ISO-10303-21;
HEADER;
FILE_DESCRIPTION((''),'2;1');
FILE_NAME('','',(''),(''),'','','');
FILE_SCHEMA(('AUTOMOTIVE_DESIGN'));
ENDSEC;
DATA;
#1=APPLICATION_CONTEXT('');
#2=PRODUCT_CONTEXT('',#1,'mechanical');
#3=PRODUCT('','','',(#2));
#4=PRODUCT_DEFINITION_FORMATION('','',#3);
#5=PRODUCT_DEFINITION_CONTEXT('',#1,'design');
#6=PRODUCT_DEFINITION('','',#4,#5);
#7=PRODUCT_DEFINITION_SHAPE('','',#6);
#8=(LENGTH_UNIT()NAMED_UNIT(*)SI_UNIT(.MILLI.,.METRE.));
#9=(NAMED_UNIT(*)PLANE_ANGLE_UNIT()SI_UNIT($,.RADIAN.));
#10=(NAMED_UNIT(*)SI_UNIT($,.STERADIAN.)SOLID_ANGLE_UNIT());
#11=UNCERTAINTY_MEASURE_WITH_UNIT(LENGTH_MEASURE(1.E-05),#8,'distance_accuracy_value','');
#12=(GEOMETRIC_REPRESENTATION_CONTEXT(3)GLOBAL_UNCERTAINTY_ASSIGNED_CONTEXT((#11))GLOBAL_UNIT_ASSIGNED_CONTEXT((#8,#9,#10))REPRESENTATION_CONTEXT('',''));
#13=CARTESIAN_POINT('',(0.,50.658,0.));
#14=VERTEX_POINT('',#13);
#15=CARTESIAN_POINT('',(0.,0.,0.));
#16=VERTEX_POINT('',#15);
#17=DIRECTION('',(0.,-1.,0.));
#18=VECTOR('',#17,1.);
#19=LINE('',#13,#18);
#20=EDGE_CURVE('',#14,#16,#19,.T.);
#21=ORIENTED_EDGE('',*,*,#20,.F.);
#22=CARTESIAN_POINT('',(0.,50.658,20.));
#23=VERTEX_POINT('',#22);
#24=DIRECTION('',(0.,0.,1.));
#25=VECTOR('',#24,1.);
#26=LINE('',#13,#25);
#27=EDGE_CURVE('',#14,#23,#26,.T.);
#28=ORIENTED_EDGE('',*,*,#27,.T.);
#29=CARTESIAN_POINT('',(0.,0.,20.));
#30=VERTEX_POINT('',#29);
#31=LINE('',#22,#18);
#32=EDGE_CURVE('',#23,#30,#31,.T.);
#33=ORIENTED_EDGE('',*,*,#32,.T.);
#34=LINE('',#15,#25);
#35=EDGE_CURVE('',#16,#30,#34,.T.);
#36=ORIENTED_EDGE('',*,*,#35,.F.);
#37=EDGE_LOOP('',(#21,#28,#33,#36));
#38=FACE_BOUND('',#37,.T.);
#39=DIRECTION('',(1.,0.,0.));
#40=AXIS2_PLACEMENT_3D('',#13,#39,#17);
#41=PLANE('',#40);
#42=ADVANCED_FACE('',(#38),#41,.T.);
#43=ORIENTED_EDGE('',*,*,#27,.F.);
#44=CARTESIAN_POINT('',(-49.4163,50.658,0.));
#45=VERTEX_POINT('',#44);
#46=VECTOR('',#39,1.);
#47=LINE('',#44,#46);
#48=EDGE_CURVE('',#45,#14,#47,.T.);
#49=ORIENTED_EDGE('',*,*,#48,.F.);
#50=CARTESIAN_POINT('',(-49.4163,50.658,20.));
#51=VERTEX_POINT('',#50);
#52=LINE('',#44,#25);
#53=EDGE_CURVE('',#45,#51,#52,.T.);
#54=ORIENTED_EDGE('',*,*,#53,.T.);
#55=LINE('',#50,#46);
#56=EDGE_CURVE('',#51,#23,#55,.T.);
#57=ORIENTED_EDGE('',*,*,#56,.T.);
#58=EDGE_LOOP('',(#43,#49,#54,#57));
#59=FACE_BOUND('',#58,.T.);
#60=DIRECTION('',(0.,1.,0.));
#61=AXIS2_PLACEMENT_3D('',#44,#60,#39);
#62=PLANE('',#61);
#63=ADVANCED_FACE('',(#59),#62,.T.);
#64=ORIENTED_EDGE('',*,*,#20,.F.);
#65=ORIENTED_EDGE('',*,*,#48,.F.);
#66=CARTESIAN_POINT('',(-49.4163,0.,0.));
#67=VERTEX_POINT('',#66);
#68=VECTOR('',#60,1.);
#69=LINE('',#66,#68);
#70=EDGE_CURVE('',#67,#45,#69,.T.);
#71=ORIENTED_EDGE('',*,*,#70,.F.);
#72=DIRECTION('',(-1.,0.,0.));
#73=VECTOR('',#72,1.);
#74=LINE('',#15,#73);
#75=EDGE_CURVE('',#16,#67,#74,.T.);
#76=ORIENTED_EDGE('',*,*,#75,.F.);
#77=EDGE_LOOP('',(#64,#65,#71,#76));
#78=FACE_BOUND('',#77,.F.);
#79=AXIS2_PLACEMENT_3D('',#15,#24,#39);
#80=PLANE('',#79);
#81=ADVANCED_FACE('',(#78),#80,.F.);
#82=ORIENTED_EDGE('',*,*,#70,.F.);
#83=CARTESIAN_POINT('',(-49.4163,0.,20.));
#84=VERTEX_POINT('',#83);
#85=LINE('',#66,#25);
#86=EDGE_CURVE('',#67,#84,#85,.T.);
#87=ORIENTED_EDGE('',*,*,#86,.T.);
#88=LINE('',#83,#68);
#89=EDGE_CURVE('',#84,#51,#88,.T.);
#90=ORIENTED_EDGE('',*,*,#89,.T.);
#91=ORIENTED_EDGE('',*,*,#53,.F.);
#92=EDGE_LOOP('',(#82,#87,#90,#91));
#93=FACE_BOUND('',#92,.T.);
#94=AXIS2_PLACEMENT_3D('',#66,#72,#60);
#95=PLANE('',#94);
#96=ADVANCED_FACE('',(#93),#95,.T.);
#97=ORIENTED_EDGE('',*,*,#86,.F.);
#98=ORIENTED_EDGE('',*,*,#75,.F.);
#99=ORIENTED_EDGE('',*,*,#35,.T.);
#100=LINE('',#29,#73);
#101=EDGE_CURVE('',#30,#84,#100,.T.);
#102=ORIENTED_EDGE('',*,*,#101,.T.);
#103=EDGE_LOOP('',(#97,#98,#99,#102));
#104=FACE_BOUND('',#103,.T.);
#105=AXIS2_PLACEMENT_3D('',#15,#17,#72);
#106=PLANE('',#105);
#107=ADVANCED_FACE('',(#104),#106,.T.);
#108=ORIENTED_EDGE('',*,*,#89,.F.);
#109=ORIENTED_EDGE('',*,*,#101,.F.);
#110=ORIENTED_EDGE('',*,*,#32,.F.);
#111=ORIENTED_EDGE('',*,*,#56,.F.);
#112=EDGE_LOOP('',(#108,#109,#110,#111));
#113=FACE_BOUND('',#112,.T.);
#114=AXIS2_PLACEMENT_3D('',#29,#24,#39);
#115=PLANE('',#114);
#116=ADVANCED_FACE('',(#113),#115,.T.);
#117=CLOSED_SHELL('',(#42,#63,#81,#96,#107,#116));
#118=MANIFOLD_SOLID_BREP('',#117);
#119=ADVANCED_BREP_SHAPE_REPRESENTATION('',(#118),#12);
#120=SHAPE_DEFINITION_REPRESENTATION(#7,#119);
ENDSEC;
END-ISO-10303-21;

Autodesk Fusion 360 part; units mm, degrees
sketch "Sketch1" plane through (0, 0, 0) normal (0, 0, 1) x (1, 0, 0)
  line L0 (-49.4163, 50.658) -> (0, 50.658)
  line L1 (0, 50.658) -> (0, 0)
  line L2 (0, 0) -> (-49.4163, 0)
  line L3 (-49.4163, 0) -> (-49.4163, 50.658)
extrude "Extrude1" add sketch "Sketch1" along normal blind 20
